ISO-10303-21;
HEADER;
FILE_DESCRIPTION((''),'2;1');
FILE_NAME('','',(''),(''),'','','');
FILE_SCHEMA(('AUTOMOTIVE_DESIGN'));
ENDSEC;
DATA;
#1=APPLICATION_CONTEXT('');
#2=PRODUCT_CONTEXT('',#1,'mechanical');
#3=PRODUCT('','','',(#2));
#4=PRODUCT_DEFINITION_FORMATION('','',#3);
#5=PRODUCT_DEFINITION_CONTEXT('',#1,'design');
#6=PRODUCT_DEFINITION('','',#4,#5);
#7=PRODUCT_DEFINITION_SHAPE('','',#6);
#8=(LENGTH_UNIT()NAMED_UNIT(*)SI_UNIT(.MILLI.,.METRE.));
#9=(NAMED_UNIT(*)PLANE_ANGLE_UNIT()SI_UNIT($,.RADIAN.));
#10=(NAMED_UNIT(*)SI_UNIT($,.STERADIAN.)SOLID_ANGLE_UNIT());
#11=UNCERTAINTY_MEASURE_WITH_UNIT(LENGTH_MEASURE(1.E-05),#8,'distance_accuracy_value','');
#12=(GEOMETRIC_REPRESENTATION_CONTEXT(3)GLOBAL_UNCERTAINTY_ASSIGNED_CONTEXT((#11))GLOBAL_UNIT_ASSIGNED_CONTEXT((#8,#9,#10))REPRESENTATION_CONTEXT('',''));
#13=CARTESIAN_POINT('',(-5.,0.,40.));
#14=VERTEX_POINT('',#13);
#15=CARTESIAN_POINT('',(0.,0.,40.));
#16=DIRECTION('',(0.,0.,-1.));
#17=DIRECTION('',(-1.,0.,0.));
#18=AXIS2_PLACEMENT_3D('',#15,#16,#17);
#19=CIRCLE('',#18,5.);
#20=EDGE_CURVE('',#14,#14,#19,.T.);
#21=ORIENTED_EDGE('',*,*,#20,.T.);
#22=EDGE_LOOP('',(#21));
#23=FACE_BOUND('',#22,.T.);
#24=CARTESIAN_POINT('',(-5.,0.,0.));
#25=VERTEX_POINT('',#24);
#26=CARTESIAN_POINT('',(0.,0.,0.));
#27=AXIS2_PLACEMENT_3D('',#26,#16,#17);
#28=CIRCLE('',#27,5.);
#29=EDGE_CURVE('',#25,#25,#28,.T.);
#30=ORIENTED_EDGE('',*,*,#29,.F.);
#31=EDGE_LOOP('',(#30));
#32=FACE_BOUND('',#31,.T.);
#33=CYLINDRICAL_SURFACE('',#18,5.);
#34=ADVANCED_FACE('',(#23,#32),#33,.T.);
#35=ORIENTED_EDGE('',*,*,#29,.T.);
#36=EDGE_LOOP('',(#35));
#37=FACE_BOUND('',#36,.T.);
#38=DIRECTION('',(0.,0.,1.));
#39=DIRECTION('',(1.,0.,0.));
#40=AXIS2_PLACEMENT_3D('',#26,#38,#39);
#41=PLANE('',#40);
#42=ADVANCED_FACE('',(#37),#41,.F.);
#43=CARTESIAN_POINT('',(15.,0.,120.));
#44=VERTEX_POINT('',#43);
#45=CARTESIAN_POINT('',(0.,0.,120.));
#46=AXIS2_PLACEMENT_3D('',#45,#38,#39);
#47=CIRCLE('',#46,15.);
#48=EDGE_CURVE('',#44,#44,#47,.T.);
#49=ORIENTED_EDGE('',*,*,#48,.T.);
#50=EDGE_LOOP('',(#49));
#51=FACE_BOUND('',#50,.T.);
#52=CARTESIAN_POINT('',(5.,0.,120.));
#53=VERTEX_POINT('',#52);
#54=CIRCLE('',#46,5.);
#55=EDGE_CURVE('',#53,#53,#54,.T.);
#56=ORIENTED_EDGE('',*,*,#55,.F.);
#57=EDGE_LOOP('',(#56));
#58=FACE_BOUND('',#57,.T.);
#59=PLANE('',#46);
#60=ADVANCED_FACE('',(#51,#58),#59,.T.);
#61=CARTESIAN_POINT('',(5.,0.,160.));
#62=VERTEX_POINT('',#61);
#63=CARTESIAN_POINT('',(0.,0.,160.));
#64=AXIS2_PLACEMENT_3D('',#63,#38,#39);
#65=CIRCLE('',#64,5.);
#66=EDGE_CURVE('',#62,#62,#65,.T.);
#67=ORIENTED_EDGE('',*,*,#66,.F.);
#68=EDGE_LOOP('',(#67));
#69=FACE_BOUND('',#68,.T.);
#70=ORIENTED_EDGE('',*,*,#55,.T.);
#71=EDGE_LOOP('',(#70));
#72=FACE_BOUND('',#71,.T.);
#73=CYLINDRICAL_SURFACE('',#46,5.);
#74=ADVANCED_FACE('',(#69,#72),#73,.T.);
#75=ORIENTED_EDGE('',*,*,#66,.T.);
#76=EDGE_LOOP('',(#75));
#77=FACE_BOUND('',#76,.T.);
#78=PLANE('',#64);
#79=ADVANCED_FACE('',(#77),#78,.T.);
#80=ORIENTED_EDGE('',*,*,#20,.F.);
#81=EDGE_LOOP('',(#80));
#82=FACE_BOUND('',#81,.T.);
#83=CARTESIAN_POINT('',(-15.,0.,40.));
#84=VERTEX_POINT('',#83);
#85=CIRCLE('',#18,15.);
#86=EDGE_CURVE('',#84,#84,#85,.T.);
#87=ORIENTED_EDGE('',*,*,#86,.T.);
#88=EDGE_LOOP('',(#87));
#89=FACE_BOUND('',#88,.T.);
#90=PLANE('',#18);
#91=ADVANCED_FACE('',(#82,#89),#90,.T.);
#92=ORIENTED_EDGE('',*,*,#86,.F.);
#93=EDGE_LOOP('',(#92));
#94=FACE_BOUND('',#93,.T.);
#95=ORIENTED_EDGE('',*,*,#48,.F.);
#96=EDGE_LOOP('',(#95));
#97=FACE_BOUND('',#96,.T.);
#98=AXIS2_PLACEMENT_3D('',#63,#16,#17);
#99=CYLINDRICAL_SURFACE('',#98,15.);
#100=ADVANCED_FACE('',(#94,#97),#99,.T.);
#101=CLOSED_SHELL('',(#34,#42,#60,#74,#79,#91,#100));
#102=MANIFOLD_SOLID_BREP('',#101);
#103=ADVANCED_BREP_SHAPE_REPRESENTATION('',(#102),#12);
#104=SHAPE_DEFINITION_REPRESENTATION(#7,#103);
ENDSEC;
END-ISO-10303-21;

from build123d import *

# Parameters (mm, degrees)
CROQUIS1_R                   = 15
SALIENTE_EXTRUIR1_DEPTH      = 160
CROQUIS2_R                   = 15
CROQUIS2_R_2                 = 5
CORTAR_EXTRUIR_L_MINA1_DEPTH = 40
CORTAR_EXTRUIR_L_MINA2_START = -40
CROQUIS3_R                   = 15
CROQUIS3_R_2                 = 5
CORTAR_EXTRUIR_L_MINA2_DEPTH = 40


with BuildPart() as part:
    # Croquis1 → Saliente-Extruir1 (new body)
    with BuildSketch(Plane.XY):
        Circle(CROQUIS1_R)
    extrude(amount=SALIENTE_EXTRUIR1_DEPTH)

    # Croquis2 → Cortar-Extruir-Lámina1 (cut)
    with BuildSketch(Plane(origin=(0, 0, 0), x_dir=(-1, 0, 0), z_dir=(0, 0, -1))):
        Circle(CROQUIS2_R)
        Circle(CROQUIS2_R_2, mode=Mode.SUBTRACT)
    extrude(amount=-CORTAR_EXTRUIR_L_MINA1_DEPTH, mode=Mode.SUBTRACT)

    # Croquis3 → Cortar-Extruir-Lámina2 (cut)
    with BuildSketch(Plane.XY.offset(160).offset(CORTAR_EXTRUIR_L_MINA2_START)):
        Circle(CROQUIS3_R)
        Circle(CROQUIS3_R_2, mode=Mode.SUBTRACT)
    extrude(amount=CORTAR_EXTRUIR_L_MINA2_DEPTH, mode=Mode.SUBTRACT)


solid = part.part
